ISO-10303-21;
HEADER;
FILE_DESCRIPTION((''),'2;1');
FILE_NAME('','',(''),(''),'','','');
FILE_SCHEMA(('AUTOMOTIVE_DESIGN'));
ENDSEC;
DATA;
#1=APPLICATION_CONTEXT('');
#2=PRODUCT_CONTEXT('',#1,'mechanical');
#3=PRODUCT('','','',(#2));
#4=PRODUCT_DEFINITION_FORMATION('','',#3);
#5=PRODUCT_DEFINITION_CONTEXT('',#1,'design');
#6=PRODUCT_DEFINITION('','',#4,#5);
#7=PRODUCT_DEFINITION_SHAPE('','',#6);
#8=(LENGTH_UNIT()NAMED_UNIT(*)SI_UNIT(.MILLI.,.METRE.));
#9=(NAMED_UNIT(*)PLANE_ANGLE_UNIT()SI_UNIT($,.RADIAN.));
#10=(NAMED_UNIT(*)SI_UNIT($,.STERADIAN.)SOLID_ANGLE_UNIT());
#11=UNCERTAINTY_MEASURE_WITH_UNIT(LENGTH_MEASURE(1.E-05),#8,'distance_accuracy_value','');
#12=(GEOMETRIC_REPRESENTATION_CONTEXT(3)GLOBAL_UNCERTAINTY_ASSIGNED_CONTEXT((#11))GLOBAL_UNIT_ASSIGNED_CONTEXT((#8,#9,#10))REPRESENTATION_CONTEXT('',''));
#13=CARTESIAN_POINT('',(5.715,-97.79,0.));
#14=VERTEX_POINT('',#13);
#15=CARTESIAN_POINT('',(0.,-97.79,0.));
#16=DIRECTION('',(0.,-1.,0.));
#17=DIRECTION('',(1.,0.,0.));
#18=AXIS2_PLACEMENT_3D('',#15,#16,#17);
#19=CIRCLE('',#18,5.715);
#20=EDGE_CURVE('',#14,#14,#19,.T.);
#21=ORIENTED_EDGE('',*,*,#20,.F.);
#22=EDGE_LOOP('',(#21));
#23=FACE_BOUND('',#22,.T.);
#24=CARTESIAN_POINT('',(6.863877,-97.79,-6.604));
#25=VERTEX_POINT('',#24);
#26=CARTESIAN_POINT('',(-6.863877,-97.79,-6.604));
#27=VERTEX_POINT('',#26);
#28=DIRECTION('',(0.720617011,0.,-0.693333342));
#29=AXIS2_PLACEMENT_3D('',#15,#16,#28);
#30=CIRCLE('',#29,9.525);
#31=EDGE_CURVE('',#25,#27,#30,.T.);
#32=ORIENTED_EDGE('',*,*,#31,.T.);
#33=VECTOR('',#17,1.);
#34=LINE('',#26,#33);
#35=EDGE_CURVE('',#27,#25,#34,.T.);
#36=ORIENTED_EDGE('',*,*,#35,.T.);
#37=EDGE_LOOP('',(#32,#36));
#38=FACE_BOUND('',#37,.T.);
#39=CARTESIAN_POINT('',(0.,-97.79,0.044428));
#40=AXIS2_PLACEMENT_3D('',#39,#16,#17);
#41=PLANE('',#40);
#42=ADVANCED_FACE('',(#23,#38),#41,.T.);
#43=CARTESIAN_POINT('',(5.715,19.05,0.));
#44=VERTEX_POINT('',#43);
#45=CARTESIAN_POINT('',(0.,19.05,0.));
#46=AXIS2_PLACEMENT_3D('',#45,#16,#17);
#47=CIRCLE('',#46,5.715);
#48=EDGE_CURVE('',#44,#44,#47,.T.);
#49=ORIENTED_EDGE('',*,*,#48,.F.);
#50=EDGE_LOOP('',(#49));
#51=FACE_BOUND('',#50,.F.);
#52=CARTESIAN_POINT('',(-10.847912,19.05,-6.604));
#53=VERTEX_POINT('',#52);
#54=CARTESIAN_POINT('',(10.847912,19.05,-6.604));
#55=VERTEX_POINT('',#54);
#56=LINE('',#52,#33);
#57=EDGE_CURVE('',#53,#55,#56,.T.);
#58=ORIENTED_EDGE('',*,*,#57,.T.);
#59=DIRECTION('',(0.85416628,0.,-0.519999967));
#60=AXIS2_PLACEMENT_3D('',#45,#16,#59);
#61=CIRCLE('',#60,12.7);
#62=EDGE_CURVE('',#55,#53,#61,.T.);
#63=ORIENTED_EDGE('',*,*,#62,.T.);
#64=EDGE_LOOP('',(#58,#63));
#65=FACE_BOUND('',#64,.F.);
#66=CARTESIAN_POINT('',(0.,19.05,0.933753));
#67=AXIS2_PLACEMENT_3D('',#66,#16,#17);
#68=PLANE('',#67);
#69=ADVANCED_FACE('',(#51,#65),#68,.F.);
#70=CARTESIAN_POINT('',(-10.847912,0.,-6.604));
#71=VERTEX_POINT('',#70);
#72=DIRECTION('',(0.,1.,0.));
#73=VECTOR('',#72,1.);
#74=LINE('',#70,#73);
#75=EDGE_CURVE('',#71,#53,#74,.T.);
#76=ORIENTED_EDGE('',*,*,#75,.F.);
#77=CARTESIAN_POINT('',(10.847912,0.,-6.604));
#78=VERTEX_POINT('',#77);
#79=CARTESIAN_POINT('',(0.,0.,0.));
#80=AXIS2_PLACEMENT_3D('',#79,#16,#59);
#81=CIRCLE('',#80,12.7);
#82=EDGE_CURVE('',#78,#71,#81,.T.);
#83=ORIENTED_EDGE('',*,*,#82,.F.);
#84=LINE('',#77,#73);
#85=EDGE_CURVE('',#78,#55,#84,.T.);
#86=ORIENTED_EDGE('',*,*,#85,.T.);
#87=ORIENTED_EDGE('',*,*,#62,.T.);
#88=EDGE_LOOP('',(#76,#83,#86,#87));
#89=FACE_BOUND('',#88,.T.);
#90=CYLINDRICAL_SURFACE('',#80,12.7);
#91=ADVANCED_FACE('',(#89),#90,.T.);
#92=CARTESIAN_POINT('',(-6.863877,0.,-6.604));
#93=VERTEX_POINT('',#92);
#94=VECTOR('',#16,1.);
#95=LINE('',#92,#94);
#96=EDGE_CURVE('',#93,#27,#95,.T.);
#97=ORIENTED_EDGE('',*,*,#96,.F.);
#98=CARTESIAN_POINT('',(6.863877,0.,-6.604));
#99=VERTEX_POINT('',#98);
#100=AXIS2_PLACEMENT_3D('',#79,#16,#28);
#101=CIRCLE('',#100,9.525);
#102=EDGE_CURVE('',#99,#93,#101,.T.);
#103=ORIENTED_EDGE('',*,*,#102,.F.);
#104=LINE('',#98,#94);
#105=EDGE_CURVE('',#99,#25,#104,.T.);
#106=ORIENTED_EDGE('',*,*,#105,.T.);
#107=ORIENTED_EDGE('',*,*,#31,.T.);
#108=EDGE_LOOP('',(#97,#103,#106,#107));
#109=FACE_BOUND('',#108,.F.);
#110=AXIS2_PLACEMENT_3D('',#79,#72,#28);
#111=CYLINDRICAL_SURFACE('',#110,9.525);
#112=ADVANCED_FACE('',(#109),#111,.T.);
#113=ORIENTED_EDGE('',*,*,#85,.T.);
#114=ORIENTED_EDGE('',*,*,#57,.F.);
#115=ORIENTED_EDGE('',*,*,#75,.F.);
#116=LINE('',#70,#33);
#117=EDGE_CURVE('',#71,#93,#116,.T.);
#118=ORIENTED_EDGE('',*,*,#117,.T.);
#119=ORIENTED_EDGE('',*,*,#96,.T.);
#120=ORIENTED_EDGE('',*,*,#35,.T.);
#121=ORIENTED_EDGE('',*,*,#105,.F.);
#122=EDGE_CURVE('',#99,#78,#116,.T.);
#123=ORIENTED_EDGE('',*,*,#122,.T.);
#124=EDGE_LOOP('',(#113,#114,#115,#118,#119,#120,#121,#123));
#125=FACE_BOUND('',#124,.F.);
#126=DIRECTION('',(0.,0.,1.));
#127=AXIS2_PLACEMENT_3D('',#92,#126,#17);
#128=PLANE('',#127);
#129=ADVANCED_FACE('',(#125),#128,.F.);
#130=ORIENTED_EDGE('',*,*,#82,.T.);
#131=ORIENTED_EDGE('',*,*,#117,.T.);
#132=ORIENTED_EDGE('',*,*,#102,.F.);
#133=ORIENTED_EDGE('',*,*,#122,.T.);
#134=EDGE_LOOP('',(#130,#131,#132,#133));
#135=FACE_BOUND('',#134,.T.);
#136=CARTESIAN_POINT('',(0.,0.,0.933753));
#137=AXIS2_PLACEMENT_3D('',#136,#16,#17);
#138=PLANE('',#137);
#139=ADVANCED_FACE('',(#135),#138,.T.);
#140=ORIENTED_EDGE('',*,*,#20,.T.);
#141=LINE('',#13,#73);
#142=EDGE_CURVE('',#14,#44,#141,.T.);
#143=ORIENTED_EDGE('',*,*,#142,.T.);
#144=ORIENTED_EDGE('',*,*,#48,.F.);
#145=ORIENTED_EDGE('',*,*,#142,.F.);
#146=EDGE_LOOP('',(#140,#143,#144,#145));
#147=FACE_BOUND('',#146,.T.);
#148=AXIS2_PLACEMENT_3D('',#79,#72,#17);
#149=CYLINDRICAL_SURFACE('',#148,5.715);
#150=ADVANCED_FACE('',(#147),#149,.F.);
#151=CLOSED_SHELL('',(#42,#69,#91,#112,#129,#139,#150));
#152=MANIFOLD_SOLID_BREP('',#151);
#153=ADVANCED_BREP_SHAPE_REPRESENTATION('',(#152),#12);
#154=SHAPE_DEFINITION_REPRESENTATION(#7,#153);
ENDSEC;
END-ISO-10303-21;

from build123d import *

# Parameters (mm, degrees)
F0_R     = 5.715
F1_DEPTH = 19.05
F2_R     = 5.715
F3_DEPTH = 97.79


with BuildPart() as f1:
    # F0 (on Front) → F1 (new body)
    with BuildSketch(Plane.XZ):
        with BuildLine():
            Line((-10.847912, -6.604), (10.847912, -6.604))
            ThreePointArc((10.847912, -6.604), (0, 12.7), (-10.847912, -6.604))
        make_face()
        Circle(F0_R, mode=Mode.SUBTRACT)
    extrude(amount=-F1_DEPTH)

    # F2 (on Front) → F3 (join)
    with BuildSketch(Plane.XZ):
        with BuildLine():
            Line((-6.863877, -6.604), (6.863877, -6.604))
            ThreePointArc((6.863877, -6.604), (0, 9.525), (-6.863877, -6.604))
        make_face()
        Circle(F2_R, mode=Mode.SUBTRACT)
    extrude(amount=F3_DEPTH)


solid = f1.part
